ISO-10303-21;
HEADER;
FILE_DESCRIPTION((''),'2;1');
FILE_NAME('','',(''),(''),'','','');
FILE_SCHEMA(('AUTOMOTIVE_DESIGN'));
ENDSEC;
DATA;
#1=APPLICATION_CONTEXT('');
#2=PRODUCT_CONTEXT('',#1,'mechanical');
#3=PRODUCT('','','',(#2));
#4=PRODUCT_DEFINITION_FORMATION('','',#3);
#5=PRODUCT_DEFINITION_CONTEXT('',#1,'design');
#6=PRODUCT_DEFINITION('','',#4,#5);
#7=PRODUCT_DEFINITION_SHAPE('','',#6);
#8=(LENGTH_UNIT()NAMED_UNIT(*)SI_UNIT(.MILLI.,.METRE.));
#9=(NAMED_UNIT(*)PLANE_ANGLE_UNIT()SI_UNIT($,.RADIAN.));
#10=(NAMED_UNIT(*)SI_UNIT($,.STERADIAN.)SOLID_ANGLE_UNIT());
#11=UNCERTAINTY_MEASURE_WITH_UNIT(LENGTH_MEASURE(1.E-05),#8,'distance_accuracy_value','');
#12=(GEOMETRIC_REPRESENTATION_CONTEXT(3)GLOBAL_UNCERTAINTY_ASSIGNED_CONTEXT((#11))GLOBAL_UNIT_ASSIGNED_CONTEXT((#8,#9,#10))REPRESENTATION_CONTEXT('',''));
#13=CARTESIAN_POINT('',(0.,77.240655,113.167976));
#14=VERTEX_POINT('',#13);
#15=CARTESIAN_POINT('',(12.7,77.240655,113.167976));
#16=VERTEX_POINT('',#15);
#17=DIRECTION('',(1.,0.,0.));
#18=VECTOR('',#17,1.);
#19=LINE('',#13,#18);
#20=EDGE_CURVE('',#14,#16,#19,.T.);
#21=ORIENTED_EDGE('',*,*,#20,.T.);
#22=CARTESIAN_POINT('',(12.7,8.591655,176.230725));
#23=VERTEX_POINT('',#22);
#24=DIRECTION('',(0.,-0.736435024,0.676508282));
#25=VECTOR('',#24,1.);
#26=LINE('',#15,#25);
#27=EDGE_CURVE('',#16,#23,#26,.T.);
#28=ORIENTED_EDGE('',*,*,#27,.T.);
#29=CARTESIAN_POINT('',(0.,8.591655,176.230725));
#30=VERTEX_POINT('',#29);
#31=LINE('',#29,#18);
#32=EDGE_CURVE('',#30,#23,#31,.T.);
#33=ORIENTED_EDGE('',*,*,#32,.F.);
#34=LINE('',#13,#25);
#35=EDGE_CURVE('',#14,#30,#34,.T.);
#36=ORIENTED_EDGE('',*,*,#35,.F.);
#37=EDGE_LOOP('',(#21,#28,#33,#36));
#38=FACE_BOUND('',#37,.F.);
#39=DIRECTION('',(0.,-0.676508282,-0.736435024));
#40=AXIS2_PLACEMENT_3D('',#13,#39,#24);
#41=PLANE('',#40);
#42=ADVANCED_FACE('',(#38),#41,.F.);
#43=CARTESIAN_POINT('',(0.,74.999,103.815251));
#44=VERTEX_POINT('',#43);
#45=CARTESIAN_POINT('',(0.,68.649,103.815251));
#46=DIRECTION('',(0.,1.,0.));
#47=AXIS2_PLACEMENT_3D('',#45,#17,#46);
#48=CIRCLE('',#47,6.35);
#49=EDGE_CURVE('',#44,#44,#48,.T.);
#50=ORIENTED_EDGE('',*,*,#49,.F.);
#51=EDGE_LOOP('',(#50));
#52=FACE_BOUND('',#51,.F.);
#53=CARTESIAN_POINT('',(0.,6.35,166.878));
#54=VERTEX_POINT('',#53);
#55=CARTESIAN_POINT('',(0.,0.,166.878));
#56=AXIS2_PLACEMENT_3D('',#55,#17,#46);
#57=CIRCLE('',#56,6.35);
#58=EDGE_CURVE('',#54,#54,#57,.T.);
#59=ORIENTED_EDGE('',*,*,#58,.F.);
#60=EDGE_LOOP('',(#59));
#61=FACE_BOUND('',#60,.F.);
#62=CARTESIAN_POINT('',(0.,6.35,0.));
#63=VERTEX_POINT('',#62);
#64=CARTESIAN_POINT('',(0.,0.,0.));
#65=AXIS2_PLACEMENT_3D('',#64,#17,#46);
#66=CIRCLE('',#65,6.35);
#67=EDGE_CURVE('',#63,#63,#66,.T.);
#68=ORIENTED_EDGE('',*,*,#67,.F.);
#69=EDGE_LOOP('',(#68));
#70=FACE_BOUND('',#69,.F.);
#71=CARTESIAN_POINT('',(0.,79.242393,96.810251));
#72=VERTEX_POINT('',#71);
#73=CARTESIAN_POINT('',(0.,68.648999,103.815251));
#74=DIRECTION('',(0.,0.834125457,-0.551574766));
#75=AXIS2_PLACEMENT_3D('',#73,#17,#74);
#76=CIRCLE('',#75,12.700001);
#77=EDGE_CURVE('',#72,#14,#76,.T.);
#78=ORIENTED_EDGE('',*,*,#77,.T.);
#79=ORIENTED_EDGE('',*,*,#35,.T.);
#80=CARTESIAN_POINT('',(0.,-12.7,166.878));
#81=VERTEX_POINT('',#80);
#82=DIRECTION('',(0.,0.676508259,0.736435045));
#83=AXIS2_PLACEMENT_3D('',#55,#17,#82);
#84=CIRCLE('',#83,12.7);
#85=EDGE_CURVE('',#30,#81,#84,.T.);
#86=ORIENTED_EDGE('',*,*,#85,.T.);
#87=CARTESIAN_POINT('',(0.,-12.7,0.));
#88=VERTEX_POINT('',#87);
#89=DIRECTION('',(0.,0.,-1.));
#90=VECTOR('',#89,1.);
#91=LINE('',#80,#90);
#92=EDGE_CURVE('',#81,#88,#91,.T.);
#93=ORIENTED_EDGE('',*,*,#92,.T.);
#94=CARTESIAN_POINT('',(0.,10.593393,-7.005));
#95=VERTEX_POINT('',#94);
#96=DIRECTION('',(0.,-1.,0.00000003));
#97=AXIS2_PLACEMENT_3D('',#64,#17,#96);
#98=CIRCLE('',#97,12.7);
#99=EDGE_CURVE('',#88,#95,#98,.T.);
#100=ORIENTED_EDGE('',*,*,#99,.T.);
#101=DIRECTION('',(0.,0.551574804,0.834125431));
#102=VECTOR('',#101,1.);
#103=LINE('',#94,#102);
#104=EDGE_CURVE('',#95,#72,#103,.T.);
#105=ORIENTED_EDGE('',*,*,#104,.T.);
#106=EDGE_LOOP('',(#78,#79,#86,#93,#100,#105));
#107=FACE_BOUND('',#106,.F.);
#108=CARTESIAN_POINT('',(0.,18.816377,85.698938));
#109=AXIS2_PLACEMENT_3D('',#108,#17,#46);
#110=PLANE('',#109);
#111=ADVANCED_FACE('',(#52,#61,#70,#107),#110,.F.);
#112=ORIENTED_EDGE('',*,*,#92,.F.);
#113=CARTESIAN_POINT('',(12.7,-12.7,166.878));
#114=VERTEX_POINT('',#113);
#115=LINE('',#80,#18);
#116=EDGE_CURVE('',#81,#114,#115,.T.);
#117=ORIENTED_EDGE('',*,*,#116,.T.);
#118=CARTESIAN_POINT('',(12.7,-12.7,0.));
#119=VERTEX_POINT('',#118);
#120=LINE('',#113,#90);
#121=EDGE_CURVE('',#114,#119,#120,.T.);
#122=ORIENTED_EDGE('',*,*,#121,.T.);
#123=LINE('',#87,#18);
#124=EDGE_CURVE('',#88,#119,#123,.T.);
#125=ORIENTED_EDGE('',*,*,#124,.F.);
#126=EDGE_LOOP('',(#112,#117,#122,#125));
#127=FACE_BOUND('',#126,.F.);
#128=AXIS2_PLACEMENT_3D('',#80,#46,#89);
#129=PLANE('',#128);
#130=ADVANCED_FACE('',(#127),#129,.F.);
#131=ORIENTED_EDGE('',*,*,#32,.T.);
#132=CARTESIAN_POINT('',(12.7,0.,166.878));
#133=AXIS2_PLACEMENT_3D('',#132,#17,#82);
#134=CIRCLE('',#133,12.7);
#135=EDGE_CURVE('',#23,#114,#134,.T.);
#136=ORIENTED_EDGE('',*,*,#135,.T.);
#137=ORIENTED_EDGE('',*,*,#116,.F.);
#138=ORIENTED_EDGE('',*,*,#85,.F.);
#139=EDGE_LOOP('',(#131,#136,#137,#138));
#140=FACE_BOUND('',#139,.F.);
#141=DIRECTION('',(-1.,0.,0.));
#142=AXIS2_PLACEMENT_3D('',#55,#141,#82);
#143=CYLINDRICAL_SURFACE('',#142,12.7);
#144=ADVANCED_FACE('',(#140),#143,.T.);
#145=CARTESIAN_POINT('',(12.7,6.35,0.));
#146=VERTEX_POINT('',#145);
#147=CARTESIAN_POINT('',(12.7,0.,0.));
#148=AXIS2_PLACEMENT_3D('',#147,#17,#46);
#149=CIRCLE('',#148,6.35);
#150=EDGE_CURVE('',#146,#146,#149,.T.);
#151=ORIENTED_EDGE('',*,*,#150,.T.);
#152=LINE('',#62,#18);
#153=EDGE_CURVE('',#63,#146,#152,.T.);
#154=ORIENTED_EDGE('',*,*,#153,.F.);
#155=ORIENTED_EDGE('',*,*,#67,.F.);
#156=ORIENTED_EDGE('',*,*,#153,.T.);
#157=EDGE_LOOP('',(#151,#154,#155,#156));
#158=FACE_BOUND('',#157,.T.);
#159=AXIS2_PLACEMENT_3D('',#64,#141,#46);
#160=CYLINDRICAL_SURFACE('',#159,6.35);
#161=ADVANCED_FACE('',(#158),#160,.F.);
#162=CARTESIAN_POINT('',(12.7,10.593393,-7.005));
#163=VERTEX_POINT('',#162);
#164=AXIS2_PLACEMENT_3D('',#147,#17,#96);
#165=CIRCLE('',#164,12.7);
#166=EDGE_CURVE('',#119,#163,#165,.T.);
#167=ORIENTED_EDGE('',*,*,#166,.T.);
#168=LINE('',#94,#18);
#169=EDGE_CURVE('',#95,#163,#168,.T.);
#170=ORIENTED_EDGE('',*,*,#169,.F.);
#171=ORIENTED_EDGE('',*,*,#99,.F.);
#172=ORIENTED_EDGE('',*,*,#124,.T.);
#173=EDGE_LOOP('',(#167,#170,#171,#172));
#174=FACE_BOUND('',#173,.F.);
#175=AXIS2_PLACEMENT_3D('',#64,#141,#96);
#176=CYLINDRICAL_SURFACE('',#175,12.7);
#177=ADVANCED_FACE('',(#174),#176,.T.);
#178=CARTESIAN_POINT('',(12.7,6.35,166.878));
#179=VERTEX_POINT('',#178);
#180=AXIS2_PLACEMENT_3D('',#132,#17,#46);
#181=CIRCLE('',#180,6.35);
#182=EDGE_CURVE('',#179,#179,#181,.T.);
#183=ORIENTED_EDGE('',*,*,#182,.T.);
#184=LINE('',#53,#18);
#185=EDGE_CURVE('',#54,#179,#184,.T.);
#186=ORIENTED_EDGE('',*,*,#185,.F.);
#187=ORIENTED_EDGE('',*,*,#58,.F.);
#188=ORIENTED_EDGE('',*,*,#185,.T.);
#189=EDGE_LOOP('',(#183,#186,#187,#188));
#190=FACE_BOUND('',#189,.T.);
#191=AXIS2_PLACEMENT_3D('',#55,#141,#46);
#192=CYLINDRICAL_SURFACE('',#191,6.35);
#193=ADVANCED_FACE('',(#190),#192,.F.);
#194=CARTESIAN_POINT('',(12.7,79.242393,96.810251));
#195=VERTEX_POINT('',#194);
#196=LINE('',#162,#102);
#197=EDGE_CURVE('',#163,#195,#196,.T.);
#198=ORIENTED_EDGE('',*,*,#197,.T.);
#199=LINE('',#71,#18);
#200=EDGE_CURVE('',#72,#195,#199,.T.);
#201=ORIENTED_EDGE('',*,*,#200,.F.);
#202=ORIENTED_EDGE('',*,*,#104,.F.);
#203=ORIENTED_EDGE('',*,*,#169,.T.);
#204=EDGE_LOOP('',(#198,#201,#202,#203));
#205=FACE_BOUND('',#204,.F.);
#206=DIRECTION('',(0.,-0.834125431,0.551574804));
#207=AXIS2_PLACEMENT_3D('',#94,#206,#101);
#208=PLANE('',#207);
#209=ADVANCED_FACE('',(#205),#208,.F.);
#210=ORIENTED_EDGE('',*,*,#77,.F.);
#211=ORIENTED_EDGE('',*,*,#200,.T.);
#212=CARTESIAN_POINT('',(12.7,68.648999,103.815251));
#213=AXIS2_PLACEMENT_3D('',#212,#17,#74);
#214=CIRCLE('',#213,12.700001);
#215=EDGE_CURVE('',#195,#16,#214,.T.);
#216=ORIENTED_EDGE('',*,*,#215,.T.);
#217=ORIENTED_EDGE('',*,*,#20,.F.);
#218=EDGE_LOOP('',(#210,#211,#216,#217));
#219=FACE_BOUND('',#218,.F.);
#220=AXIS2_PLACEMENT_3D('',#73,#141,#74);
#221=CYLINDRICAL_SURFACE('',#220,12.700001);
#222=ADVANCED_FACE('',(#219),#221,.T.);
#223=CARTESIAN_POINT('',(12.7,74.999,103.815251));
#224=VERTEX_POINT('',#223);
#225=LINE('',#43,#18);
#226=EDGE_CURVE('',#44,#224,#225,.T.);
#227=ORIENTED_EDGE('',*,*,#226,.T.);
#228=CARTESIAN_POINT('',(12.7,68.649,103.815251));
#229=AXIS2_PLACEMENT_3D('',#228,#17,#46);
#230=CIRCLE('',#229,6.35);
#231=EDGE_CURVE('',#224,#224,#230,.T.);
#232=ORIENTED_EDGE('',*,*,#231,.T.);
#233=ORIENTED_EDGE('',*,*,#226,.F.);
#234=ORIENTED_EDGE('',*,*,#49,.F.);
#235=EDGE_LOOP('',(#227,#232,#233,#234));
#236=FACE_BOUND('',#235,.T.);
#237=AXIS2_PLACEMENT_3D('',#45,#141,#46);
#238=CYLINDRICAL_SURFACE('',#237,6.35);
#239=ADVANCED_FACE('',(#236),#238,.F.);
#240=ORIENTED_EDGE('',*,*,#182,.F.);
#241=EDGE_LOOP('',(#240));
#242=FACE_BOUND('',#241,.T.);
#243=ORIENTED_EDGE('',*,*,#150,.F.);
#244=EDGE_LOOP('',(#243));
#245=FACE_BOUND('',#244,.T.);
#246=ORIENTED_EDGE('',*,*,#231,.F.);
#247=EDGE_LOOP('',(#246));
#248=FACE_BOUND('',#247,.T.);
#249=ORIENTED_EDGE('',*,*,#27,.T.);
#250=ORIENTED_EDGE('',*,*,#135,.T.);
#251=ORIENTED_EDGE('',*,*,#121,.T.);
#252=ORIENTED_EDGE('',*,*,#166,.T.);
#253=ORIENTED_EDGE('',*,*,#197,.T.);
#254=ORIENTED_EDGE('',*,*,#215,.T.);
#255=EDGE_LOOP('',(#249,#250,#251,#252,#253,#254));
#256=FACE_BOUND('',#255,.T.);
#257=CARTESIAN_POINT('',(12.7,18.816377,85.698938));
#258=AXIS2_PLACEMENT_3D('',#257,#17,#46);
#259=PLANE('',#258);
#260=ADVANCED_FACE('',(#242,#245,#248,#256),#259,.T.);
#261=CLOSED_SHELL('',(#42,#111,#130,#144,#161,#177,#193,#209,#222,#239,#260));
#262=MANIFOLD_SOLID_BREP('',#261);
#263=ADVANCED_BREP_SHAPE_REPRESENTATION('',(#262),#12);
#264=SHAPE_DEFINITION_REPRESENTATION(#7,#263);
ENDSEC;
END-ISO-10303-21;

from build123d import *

# Parameters (mm, degrees)
F0_R     = 6.35
F1_DEPTH = 12.7


with BuildPart() as f1:
    # F0 (on Right) → F1 (new body)
    with BuildSketch(Plane.YZ):
        with BuildLine():
            Line((77.240655, 113.167976), (8.591655, 176.230725))
            ThreePointArc((8.591655, 176.230725), (-5.10764, 178.50564), (-12.7, 166.878))
            Line((-12.7, 166.878), (-12.7, 0))
            ThreePointArc((-12.7, 0), (-3.657452, -12.161951), (10.593393, -7.005))
            Line((10.593393, -7.005), (79.242393, 96.810251))
            ThreePointArc((79.242393, 96.810251), (81.254963, 105.357876), (77.240655, 113.167976))
        make_face()
        Circle(F0_R, mode=Mode.SUBTRACT)
        with Locations((0, 166.878)):
            Circle(F0_R, mode=Mode.SUBTRACT)
        with Locations((68.649, 103.815251)):
            Circle(F0_R, mode=Mode.SUBTRACT)
    extrude(amount=F1_DEPTH)


solid = f1.part
